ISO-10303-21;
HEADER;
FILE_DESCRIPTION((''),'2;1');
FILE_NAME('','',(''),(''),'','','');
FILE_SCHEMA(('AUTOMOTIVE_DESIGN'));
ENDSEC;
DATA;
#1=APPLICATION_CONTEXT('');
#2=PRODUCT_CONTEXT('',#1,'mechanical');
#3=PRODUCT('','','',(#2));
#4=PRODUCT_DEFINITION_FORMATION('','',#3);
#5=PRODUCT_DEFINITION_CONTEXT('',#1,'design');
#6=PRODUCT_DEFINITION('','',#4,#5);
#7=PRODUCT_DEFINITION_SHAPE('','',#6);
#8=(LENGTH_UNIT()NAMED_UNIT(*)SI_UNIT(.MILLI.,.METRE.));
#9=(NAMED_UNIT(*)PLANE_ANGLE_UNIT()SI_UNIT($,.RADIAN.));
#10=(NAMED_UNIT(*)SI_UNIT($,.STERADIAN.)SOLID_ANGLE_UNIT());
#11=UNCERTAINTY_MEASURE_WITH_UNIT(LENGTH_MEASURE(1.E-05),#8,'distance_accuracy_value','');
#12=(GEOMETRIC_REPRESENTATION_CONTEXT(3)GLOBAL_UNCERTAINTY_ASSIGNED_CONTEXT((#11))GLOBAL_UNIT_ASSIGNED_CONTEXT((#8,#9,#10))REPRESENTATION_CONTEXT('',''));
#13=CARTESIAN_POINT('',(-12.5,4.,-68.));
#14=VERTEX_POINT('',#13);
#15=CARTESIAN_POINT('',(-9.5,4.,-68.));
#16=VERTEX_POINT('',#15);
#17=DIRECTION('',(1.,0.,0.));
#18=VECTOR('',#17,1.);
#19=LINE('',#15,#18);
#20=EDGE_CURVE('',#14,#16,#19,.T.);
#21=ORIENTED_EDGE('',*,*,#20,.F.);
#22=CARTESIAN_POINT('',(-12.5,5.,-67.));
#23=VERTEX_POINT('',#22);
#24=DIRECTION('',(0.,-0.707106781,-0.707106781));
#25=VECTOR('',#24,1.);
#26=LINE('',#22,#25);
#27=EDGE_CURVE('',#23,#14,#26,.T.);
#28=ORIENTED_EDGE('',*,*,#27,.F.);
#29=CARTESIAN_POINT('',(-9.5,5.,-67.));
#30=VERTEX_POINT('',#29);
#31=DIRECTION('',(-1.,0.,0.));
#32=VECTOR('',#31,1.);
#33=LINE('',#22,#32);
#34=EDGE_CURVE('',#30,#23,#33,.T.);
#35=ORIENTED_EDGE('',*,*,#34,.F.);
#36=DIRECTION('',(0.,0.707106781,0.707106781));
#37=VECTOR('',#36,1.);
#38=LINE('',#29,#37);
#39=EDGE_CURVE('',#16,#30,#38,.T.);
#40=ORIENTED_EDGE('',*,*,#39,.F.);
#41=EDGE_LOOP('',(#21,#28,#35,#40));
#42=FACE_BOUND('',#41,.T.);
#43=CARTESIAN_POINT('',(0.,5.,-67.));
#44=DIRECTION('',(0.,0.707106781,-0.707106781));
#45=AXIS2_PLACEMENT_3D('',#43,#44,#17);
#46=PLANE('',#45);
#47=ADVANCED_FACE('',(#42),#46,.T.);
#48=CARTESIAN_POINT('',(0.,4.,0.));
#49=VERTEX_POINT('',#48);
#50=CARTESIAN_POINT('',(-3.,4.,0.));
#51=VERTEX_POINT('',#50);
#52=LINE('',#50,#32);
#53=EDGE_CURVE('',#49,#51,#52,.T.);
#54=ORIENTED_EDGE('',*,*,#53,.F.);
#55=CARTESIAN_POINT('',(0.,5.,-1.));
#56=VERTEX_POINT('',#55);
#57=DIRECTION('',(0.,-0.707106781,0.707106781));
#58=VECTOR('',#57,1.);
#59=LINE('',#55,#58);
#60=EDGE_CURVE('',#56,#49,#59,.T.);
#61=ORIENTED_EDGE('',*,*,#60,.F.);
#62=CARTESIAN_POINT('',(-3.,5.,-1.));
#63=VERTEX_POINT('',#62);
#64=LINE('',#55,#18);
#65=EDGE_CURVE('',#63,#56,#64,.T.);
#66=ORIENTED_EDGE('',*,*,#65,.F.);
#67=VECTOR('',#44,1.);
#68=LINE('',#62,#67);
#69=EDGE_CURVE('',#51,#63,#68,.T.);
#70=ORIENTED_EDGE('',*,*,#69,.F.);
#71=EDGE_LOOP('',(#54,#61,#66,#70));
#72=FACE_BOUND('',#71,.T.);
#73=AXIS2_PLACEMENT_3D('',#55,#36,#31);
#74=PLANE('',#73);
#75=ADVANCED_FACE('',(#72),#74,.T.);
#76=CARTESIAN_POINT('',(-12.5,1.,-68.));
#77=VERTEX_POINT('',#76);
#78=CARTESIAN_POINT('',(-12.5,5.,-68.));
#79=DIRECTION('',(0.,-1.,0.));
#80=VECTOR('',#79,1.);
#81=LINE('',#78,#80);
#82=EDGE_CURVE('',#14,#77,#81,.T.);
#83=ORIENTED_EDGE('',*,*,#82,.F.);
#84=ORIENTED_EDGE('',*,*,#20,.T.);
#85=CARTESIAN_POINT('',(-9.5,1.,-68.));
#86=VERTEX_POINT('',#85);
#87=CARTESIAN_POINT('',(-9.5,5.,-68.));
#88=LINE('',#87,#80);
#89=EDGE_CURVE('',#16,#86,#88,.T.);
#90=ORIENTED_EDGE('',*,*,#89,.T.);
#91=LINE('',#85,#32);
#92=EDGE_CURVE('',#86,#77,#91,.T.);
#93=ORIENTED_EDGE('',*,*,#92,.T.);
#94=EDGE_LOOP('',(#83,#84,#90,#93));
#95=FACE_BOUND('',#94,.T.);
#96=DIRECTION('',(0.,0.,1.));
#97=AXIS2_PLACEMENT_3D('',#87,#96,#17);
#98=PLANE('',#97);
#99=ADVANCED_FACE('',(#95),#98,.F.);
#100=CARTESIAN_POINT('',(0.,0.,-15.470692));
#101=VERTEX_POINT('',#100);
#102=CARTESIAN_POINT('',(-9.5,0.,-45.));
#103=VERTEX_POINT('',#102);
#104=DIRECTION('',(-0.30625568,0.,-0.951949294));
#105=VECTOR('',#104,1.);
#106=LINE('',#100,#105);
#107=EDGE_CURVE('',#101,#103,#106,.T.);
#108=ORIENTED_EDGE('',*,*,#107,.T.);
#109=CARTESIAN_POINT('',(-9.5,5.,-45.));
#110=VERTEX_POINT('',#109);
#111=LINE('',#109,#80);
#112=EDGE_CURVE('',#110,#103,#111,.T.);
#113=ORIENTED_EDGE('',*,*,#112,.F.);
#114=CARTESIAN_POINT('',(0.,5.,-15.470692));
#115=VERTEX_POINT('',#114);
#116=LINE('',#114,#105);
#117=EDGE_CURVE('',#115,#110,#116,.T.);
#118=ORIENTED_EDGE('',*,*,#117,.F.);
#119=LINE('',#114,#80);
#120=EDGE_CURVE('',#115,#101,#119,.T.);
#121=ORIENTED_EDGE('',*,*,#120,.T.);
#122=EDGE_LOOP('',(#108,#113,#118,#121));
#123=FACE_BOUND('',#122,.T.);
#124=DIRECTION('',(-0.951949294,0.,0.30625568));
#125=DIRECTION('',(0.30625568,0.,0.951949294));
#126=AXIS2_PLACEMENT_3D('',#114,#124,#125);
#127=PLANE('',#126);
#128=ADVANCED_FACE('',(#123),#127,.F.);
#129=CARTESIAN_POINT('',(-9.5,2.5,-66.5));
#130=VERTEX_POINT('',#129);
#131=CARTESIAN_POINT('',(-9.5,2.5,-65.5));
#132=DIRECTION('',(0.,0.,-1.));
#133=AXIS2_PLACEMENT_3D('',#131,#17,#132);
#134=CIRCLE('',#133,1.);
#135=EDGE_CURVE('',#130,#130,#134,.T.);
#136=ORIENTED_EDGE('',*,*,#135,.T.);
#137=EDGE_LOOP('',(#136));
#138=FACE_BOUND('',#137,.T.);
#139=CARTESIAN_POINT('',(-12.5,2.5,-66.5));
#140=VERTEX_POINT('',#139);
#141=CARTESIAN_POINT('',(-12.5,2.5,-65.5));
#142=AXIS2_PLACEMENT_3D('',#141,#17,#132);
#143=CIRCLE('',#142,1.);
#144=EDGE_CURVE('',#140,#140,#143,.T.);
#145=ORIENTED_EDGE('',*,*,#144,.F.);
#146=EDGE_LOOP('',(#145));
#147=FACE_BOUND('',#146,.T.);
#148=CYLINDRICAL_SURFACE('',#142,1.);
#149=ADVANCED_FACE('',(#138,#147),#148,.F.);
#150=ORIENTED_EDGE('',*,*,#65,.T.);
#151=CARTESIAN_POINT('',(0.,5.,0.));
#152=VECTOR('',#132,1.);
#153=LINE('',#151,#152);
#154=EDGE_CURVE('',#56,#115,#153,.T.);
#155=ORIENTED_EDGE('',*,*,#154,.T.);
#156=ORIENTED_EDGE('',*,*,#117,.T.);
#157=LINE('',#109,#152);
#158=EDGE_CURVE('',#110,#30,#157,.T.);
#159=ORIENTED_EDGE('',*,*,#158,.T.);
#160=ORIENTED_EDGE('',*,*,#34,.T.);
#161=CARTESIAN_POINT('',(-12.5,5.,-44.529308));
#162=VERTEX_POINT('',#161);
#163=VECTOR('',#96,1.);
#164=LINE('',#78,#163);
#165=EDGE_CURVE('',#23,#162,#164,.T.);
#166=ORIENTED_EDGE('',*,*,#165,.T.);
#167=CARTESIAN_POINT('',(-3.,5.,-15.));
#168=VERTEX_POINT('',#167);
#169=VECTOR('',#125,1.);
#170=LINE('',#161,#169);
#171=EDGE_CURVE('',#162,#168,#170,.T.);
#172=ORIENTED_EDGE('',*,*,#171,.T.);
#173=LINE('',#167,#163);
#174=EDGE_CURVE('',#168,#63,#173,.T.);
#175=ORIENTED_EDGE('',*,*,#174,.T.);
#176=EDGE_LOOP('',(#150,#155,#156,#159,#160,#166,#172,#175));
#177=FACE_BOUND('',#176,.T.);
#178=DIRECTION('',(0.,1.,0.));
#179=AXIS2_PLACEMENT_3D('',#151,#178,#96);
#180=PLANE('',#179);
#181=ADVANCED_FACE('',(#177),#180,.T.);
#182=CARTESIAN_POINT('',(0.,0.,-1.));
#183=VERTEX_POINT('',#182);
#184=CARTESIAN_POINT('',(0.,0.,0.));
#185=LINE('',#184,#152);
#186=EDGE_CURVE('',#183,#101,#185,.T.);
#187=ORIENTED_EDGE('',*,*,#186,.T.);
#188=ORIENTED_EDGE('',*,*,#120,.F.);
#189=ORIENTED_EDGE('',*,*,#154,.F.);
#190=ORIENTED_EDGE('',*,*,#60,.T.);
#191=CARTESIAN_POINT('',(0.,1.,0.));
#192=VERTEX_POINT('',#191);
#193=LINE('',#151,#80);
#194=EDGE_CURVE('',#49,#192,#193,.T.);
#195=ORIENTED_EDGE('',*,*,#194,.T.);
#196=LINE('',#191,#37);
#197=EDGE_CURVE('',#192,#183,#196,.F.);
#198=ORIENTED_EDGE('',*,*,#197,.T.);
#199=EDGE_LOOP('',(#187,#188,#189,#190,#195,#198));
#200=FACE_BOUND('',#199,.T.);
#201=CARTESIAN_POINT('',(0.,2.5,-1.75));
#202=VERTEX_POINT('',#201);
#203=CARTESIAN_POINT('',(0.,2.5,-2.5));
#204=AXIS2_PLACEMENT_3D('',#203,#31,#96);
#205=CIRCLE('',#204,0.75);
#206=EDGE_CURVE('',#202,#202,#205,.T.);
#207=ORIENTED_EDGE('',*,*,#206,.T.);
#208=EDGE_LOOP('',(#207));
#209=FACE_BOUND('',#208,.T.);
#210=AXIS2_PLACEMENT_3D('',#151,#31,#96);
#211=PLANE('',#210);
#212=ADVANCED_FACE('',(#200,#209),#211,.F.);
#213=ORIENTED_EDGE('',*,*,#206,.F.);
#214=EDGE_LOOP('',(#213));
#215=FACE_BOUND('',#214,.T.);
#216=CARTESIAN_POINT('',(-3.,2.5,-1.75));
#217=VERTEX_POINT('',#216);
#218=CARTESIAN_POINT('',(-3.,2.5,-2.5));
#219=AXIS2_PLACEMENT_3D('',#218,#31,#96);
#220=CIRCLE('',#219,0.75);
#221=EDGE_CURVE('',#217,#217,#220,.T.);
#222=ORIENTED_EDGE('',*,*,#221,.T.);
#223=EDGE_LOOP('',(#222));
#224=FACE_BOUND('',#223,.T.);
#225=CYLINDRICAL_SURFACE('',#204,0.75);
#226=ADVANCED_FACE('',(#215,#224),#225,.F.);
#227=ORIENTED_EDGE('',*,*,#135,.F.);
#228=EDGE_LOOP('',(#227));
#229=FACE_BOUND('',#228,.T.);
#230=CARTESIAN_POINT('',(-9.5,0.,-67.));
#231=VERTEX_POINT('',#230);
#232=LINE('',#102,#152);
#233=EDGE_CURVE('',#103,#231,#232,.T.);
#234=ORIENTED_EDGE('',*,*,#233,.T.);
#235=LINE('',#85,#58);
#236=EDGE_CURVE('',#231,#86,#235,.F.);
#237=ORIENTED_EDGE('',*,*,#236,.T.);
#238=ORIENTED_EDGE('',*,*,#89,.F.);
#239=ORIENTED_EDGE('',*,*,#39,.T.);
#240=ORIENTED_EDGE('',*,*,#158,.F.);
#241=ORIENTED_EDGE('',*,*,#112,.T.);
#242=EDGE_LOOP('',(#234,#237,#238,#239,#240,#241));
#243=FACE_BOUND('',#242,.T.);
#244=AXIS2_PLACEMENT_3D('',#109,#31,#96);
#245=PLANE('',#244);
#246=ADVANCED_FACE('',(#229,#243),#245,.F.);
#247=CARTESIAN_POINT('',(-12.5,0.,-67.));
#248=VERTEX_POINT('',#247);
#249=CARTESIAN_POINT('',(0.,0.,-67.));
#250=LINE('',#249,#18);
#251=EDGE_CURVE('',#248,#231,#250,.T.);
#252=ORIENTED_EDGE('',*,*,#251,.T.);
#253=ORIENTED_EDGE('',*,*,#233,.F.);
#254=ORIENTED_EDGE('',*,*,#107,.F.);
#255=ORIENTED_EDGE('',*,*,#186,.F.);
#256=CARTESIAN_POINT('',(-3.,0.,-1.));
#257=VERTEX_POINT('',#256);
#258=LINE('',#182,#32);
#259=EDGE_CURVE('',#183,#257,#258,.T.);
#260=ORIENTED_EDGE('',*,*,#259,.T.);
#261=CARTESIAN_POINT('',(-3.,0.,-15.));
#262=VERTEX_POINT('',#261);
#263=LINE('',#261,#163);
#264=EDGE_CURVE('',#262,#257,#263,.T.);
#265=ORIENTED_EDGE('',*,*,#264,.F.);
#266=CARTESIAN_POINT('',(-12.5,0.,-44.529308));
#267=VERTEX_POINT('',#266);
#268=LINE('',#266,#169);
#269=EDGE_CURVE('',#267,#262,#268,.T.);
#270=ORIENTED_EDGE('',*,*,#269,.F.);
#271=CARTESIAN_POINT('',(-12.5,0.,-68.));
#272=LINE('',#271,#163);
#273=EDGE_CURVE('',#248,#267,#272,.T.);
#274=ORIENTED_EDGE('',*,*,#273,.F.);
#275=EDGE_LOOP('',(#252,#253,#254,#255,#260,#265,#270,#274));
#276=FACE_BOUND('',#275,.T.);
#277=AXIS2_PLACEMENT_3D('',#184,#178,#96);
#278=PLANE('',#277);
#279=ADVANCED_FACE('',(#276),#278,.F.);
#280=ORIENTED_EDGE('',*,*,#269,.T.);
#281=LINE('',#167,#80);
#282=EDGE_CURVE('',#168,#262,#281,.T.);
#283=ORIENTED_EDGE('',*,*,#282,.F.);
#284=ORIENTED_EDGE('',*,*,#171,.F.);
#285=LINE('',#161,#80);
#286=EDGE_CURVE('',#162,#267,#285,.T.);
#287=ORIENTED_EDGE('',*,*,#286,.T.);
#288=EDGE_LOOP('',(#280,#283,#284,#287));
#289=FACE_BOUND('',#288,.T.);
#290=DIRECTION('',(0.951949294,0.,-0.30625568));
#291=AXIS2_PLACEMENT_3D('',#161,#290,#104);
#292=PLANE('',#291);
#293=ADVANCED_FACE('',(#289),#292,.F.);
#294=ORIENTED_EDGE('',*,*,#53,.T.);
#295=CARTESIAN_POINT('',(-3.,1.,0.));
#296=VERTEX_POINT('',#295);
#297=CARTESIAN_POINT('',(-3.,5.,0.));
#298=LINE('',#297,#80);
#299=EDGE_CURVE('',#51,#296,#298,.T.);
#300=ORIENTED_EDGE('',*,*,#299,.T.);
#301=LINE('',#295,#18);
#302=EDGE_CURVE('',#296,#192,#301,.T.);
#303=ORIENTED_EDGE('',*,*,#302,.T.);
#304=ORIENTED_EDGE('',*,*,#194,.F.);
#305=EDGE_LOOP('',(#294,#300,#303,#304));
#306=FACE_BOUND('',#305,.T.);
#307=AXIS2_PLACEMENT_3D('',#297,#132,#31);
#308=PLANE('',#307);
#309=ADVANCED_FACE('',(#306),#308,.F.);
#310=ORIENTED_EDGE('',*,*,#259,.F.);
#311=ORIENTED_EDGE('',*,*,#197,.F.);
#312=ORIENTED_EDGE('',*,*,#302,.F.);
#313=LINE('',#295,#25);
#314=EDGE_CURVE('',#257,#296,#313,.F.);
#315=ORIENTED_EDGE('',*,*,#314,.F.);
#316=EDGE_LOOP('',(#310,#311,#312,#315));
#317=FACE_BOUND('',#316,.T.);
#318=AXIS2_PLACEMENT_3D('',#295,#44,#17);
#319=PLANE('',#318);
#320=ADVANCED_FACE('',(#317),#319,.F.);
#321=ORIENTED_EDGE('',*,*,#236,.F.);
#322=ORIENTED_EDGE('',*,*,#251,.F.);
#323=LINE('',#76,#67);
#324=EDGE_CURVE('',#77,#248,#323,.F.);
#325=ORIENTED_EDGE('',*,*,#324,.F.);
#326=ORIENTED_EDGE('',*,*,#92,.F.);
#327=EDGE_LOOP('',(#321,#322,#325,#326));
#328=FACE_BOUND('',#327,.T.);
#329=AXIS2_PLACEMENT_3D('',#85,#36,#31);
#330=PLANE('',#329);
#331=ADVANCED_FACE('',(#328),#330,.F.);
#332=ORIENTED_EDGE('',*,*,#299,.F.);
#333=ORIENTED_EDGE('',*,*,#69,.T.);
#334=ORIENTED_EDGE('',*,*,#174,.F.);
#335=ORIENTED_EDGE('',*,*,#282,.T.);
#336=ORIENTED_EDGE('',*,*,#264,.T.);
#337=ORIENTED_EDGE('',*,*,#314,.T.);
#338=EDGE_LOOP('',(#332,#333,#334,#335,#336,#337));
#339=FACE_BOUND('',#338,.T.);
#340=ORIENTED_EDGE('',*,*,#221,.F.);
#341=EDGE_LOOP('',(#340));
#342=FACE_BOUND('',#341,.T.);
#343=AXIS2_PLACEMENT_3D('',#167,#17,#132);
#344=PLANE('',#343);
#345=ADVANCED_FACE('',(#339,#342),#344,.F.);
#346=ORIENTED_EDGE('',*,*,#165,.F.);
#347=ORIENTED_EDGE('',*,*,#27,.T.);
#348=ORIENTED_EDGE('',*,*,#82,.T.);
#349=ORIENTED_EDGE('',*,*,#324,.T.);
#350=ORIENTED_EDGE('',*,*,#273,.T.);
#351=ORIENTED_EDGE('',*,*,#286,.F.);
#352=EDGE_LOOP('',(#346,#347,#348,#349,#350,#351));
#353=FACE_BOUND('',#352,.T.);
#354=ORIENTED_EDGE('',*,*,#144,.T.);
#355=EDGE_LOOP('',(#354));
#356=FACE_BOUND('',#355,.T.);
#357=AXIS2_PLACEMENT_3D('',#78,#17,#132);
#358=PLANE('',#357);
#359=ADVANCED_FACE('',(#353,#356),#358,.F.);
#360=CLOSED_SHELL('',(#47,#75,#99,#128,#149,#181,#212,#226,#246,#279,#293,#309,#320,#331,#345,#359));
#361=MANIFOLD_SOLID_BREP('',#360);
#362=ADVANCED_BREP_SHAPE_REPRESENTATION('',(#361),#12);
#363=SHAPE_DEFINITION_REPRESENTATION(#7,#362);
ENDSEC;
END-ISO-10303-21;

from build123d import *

# Parameters (mm, degrees)
BOSS_EXTRUDE1_DEPTH = 5
SKETCH3_R           = 0.75
CUT_EXTRUDE1_DEPTH  = 4
SKETCH4_R           = 1
CUT_EXTRUDE2_DEPTH  = 4
CHAMFER1_SIZE       = 1


with BuildPart() as part:
    # Sketch2 → Boss-Extrude1 (new body)
    with BuildSketch(Plane(origin=(0, 0, 0), x_dir=(1, 0, 0), z_dir=(0, 1, 0))):
        Polygon((0, 0), (0, 15.470692064), (-9.5, 45), (-9.5, 68), (-12.5, 68), (-12.5, 44.529307936), (-3, 15), (-3, 0), align=None)
    extrude(amount=BOSS_EXTRUDE1_DEPTH)

    # Sketch3 → Cut-Extrude1 (cut, through all)
    with BuildSketch(Plane.ZY.offset(3)):
        with Locations((-2.5, 2.5)):
            Circle(SKETCH3_R)
    extrude(amount=-CUT_EXTRUDE1_DEPTH, mode=Mode.SUBTRACT)

    # Sketch4 → Cut-Extrude2 (cut, through all)
    with BuildSketch(Plane(origin=(-9.5, 0, 0), x_dir=(0, 0, -1), z_dir=(1, 0, 0))):
        with Locations((65.5, 2.5)):
            Circle(SKETCH4_R)
    extrude(amount=-CUT_EXTRUDE2_DEPTH, mode=Mode.SUBTRACT)

    # Chamfer1
    chamfer1_edges = [part.edges().sort_by_distance(p)[0] for p in [
        (-1.5, 0, 0),
        (-11, 5, -68),
        (-1.5, 5, 0),
        (-11, 0, -68),
    ]]
    chamfer(chamfer1_edges, length=CHAMFER1_SIZE)


solid = part.part
